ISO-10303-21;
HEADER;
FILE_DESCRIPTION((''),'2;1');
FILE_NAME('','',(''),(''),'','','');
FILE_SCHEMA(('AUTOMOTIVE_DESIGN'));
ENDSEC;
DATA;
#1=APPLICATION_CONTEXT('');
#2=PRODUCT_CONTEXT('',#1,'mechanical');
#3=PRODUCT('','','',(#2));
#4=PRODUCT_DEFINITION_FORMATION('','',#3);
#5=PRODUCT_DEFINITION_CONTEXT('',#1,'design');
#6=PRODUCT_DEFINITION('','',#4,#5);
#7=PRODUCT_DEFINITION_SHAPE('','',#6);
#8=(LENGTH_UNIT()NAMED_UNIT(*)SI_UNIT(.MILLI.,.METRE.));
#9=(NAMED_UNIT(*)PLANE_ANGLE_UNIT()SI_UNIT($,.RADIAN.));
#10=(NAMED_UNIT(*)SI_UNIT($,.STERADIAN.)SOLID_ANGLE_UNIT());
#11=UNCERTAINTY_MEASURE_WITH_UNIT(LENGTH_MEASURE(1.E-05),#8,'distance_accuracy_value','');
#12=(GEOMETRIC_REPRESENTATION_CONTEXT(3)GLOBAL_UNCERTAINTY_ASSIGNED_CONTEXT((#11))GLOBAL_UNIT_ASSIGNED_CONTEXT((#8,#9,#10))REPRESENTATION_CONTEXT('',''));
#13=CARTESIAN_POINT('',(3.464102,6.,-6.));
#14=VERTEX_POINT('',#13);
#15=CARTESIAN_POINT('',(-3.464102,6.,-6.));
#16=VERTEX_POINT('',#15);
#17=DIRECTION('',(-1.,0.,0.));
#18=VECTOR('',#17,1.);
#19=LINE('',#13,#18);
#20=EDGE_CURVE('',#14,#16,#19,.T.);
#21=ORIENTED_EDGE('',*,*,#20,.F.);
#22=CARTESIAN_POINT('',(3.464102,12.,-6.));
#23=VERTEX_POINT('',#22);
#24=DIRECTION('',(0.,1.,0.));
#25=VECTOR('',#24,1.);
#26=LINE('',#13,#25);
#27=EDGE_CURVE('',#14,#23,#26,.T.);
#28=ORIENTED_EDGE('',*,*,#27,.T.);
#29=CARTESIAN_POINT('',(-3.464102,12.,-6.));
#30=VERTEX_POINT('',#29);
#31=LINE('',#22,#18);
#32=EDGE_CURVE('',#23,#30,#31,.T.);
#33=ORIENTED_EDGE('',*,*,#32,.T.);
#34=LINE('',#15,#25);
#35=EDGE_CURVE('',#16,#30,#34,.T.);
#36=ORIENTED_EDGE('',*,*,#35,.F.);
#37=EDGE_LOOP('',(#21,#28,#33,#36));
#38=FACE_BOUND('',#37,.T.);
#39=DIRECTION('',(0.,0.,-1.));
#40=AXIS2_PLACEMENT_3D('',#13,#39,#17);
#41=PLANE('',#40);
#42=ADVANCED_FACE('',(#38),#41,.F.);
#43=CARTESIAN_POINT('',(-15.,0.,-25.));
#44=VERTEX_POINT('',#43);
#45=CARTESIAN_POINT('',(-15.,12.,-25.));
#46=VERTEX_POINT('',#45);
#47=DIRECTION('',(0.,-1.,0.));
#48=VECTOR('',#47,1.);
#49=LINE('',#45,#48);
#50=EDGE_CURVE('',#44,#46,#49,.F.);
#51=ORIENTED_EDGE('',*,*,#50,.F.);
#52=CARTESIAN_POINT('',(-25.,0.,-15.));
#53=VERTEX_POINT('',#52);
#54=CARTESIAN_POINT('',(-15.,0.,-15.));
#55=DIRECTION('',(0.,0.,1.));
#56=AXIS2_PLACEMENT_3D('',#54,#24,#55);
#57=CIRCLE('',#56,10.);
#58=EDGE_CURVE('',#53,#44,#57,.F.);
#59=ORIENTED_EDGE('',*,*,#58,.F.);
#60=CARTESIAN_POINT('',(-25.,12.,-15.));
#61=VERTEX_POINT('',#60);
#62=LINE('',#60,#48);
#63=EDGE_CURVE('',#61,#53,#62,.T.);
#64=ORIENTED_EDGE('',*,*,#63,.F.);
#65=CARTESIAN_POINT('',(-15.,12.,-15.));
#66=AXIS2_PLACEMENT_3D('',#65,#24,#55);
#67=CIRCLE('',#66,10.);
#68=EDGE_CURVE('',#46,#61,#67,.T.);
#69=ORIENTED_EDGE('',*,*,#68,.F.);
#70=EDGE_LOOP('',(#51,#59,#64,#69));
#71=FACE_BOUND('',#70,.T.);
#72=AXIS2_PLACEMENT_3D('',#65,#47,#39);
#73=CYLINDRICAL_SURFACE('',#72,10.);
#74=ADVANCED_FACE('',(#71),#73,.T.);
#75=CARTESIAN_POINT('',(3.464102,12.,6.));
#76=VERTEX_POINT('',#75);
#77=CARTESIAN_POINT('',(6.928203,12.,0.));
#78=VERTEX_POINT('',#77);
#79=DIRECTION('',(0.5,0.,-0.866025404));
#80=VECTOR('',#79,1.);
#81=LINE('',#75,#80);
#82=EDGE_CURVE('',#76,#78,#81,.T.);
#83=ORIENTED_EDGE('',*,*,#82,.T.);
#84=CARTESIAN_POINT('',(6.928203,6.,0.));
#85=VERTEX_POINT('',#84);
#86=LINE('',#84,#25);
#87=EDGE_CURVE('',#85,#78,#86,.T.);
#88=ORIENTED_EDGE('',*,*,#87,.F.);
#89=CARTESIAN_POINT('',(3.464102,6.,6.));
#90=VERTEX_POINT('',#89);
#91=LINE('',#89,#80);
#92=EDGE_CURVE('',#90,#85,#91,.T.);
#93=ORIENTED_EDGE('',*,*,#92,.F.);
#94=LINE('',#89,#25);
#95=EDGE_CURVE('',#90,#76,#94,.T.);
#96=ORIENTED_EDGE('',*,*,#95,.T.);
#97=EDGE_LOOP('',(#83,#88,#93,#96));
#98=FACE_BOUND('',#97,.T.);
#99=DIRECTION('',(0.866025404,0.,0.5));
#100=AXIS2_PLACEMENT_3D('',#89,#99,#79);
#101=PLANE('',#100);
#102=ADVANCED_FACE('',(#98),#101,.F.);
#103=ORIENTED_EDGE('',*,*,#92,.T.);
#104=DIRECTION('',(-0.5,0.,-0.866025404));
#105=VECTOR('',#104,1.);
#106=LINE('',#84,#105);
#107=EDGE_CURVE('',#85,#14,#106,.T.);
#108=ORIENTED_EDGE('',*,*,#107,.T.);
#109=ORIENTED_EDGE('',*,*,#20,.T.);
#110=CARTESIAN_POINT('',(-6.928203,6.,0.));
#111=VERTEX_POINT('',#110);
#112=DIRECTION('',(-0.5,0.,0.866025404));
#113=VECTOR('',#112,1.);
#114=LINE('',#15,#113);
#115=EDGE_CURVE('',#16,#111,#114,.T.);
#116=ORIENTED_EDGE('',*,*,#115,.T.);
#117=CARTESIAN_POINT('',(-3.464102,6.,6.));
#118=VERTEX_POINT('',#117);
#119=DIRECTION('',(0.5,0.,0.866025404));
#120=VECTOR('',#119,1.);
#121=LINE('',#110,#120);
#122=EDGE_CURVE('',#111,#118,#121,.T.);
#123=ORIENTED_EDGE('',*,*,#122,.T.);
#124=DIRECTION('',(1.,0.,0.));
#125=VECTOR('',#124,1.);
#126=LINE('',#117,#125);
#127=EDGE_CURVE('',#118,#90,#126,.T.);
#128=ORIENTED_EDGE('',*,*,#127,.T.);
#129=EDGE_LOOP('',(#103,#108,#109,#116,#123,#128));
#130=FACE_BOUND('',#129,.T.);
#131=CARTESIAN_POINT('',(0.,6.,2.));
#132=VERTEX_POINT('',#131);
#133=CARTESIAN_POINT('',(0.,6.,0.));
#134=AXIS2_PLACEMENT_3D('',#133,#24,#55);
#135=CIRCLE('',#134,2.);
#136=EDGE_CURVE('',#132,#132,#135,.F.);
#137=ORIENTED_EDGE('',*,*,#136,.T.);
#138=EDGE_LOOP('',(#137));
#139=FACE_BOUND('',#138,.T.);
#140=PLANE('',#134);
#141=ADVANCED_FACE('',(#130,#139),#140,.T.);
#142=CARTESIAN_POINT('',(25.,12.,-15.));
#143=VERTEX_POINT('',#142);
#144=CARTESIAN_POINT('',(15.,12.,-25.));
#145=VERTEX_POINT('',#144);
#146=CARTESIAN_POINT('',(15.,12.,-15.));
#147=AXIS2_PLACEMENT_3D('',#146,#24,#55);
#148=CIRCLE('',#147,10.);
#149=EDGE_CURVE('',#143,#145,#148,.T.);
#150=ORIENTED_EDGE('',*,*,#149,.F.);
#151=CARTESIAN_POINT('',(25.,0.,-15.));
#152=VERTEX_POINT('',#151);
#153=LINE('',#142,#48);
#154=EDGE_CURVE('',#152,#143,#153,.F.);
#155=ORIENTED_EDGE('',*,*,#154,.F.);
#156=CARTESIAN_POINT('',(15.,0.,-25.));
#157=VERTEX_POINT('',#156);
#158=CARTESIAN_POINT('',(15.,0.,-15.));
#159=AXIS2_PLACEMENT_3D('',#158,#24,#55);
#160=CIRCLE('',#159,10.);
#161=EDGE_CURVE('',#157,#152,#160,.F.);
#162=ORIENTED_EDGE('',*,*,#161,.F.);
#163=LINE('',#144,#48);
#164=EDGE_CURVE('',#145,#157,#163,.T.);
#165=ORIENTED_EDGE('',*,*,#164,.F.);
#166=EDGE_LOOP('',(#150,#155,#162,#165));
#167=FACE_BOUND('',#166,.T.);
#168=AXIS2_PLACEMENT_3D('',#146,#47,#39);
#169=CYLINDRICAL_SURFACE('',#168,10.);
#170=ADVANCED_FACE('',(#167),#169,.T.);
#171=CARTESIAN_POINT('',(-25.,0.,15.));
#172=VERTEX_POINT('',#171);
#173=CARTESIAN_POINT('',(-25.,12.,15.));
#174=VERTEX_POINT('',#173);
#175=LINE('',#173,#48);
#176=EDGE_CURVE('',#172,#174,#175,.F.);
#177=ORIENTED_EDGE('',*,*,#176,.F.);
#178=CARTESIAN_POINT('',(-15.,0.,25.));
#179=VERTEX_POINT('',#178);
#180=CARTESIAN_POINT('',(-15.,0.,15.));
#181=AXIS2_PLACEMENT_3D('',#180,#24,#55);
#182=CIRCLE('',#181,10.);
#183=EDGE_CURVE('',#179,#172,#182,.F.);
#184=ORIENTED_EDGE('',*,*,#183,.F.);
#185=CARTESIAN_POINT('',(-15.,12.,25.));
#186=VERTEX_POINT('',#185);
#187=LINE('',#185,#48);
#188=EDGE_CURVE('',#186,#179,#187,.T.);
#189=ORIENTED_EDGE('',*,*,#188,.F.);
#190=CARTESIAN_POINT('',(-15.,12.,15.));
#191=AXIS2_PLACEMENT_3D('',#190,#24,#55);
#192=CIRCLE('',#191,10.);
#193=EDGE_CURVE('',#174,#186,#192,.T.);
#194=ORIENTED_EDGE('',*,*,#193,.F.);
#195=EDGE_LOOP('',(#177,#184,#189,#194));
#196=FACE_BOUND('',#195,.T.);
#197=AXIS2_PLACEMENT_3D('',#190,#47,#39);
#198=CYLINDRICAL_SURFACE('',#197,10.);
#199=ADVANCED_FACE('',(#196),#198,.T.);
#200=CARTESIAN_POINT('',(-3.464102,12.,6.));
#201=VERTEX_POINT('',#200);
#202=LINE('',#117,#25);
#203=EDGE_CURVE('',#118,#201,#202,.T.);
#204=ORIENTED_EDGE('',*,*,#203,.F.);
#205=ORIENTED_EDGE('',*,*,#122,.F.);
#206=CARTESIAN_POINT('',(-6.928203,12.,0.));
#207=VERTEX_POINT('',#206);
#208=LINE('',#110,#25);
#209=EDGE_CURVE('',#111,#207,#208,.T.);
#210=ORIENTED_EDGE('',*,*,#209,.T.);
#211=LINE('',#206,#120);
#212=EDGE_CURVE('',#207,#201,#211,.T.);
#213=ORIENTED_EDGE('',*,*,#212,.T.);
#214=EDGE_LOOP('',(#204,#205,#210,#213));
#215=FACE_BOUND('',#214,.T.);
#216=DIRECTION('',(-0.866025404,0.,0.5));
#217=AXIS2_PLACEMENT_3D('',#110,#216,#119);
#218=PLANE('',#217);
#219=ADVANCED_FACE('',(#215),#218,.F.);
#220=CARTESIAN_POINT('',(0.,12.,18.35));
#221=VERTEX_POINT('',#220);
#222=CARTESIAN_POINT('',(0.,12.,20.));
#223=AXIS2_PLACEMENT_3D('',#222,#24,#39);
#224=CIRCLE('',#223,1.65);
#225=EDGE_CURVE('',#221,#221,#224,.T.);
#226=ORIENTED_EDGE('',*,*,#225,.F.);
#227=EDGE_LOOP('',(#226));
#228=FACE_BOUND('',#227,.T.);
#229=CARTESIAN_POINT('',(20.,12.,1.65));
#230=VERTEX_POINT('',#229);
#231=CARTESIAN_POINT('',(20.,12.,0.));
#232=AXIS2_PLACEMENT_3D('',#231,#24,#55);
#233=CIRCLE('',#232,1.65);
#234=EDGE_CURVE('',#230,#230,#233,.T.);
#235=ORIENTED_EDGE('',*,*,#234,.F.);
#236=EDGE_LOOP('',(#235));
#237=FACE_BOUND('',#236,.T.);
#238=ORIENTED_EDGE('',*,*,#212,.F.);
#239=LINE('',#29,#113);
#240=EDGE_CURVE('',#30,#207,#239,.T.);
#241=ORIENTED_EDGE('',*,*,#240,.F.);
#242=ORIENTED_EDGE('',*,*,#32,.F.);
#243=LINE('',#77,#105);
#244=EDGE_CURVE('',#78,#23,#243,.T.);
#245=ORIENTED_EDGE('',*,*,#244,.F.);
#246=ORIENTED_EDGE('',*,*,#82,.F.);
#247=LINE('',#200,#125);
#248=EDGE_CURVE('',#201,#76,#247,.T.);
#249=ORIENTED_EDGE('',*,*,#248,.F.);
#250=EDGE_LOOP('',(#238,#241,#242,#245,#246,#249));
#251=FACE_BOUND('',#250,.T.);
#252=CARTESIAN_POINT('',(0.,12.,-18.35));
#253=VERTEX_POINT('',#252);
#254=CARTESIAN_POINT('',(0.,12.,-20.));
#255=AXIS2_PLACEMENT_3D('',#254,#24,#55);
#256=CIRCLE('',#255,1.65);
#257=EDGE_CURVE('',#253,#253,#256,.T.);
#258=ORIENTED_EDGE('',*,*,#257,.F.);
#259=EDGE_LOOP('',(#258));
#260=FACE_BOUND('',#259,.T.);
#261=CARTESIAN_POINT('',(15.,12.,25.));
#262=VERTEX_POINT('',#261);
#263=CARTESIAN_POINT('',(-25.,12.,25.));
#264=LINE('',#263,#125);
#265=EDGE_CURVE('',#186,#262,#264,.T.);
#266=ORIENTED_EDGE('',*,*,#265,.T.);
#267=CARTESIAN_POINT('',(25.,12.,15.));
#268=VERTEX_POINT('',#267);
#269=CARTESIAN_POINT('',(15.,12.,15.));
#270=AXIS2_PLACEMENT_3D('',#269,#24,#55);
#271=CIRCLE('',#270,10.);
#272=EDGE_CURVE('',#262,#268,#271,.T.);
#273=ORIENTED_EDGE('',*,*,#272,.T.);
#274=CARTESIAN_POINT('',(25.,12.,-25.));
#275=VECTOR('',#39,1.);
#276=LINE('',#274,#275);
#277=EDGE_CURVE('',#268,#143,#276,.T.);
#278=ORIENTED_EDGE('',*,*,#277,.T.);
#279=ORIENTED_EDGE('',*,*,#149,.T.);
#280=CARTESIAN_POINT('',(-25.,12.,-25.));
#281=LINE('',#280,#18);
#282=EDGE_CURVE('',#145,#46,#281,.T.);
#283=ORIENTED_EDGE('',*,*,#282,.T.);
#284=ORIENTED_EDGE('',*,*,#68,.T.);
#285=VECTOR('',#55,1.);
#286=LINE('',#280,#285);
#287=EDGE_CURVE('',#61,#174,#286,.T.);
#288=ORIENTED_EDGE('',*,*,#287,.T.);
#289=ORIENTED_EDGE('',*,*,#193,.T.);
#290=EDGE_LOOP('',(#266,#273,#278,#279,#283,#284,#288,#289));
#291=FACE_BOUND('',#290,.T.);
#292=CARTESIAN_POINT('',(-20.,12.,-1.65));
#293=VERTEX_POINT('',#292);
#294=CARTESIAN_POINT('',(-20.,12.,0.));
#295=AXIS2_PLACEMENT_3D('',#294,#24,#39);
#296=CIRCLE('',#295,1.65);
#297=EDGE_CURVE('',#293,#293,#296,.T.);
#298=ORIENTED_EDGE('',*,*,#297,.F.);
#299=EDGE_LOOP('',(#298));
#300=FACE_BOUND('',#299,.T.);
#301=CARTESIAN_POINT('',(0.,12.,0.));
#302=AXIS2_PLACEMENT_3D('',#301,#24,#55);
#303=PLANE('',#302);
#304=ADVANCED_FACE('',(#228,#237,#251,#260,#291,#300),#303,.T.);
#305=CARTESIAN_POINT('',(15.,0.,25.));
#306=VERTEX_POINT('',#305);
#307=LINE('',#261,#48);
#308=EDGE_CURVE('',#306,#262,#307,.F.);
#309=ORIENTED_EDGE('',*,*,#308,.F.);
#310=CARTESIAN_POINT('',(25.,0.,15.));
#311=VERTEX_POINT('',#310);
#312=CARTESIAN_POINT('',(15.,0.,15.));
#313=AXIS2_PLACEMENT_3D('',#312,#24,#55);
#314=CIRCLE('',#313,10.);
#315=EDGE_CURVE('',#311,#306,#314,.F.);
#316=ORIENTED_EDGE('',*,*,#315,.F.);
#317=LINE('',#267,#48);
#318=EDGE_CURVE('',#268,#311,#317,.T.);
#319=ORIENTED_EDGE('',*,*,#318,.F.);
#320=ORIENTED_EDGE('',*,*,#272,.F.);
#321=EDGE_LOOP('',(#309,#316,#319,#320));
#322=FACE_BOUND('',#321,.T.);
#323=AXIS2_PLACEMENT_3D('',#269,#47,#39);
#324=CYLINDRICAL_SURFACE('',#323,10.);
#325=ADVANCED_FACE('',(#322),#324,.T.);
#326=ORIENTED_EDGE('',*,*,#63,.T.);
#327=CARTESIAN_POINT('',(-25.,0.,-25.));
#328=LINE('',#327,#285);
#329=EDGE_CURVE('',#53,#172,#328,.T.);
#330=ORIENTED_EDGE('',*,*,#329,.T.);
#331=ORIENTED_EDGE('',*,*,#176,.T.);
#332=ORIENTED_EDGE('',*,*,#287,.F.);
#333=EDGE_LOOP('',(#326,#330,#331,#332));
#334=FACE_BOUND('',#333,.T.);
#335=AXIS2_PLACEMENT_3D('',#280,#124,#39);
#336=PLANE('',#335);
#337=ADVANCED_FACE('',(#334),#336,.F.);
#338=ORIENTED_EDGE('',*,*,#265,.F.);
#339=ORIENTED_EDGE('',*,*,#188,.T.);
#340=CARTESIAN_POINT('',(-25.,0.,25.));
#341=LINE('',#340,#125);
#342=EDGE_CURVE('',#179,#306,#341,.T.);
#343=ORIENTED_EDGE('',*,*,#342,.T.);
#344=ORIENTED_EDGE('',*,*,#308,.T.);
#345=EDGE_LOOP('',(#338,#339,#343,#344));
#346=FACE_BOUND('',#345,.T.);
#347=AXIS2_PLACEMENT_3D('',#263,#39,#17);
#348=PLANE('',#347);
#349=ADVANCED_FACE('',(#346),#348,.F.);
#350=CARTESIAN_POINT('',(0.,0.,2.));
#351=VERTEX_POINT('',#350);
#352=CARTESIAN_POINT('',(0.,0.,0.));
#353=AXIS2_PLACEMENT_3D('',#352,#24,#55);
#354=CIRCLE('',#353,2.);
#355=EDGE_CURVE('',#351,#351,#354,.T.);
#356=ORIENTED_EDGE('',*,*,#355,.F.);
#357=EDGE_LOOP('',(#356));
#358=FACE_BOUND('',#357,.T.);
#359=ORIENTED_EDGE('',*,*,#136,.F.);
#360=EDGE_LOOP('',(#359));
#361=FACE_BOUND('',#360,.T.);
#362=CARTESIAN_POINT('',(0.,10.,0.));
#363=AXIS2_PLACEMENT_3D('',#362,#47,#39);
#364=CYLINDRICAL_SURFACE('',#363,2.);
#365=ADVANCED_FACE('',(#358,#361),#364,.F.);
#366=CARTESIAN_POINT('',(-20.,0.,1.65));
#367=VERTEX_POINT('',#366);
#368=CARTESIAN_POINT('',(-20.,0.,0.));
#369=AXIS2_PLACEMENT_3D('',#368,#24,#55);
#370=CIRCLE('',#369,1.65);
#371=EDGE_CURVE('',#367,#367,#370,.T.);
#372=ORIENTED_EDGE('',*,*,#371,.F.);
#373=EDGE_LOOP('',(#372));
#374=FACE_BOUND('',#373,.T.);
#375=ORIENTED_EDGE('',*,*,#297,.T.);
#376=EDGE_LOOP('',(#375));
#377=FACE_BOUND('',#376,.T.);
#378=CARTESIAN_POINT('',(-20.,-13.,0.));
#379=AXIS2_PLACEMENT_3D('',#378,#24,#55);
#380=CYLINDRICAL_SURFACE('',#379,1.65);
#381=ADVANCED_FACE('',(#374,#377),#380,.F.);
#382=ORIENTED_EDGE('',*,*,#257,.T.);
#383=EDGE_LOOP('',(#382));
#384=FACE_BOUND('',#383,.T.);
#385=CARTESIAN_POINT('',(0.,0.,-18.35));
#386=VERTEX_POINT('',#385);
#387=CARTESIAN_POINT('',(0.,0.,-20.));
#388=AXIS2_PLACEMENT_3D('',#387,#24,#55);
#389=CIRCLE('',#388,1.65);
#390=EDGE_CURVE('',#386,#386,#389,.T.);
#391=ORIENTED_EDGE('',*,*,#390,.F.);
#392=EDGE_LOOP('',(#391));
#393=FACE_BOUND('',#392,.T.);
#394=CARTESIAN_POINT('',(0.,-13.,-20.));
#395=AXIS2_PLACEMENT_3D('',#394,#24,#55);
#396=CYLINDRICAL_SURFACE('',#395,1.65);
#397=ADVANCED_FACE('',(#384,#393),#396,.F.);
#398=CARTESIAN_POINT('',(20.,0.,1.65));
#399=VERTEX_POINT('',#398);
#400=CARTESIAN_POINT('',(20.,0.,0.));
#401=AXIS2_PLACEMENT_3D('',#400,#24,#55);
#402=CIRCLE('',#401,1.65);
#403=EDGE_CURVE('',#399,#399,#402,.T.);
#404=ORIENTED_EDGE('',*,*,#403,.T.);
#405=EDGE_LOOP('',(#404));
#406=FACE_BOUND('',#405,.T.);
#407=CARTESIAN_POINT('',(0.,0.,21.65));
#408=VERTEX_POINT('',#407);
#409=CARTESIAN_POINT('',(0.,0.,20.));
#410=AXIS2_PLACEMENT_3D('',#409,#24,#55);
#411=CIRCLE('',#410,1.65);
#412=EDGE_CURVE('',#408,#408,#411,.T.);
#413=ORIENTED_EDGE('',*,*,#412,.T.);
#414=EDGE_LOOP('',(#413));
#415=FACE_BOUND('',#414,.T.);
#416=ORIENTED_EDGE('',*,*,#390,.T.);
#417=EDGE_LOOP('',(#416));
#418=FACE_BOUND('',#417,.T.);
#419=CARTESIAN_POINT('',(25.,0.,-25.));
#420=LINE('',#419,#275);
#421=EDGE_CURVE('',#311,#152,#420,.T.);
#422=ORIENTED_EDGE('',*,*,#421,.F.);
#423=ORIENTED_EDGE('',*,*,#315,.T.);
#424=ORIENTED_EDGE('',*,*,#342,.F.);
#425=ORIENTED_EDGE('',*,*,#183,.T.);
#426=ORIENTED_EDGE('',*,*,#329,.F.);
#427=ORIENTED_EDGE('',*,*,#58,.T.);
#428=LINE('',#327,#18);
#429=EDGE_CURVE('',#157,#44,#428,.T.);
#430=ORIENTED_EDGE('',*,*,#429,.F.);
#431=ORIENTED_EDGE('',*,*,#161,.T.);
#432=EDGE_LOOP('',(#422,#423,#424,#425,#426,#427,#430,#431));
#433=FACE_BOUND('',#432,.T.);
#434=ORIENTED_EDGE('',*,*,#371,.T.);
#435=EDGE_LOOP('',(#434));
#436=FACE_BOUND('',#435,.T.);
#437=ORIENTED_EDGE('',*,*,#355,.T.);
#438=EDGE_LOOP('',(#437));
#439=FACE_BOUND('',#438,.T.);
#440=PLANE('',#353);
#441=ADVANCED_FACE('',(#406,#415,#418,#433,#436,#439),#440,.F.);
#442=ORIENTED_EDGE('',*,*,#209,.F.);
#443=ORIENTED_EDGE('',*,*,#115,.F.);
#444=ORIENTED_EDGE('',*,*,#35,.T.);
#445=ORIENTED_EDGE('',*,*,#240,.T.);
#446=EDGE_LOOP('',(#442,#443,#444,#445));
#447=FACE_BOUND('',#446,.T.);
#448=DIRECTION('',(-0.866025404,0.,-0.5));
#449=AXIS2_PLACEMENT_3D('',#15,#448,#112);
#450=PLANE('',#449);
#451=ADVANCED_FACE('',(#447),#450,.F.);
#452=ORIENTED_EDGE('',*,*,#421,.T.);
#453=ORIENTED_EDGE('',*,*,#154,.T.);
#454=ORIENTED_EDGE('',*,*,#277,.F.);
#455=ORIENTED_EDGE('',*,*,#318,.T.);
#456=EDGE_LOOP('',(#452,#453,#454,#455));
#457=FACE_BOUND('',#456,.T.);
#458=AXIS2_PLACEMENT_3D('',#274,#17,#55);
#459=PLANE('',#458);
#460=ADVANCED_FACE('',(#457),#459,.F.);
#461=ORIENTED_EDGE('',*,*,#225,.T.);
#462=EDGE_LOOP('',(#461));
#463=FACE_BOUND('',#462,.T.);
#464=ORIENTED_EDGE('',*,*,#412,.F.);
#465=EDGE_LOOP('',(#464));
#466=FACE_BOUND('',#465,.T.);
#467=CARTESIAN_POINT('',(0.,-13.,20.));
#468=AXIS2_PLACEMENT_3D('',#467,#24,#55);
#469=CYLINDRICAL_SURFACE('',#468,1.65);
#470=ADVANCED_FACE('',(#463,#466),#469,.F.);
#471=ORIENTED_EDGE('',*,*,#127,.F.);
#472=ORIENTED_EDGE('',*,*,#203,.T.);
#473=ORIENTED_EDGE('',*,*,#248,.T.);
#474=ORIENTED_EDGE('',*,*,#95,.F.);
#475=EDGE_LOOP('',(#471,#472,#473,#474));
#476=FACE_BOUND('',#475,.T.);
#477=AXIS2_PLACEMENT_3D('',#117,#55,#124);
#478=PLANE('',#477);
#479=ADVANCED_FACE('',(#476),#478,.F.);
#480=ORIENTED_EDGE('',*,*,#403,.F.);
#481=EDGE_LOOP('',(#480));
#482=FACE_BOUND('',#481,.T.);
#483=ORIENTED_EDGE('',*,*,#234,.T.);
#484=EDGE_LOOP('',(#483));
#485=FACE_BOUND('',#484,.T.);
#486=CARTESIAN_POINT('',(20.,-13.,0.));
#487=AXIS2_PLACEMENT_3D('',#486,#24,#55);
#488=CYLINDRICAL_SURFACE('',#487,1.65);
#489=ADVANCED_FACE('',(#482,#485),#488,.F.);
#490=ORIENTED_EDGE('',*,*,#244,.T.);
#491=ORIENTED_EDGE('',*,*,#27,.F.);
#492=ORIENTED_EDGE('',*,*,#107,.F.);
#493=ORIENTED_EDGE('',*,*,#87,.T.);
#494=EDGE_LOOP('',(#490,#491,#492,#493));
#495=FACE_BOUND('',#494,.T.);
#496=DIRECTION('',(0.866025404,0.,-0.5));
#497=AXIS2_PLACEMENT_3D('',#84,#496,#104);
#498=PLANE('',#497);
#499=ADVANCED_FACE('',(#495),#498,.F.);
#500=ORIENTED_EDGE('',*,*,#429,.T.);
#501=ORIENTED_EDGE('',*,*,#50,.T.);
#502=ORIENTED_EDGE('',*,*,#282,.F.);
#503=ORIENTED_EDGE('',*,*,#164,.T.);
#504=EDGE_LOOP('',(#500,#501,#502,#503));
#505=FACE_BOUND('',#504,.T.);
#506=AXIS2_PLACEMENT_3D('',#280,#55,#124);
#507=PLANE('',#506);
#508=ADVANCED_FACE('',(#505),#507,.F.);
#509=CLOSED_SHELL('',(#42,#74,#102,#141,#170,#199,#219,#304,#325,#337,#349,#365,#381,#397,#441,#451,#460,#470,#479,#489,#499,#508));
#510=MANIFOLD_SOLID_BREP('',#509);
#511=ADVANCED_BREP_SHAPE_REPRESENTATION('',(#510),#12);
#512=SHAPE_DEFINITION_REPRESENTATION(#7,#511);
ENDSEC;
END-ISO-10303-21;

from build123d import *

# Parameters (mm, degrees)
SKETCH1_W           = 50
SKETCH1_H           = 50
BOSS_EXTRUDE1_DEPTH = 12
CUT_EXTRUDE1_DEPTH  = 6
SKETCH4_R           = 1.65
CUT_EXTRUDE2_DEPTH  = 25
FILLET1_R           = 10
SKETCH5_R           = 2
CUT_EXTRUDE4_DEPTH  = 10


with BuildPart() as part:
    # Sketch1 → Boss-Extrude1 (new body)
    with BuildSketch(Plane(origin=(0, 0, 0), x_dir=(1, 0, 0), z_dir=(0, 1, 0))):
        Rectangle(SKETCH1_W, SKETCH1_H)
    extrude(amount=BOSS_EXTRUDE1_DEPTH)

    # Sketch2 → Cut-Extrude1 (cut)
    with BuildSketch(Plane(origin=(0, 12, 0), x_dir=(1, 0, 0), z_dir=(0, 1, 0))):
        Polygon((6.92820323, 0), (3.464101615, 6), (-3.464101615, 6), (-6.92820323, 0), (-3.464101615, -6), (3.464101615, -6), align=None)
    extrude(amount=-CUT_EXTRUDE1_DEPTH, mode=Mode.SUBTRACT)

    # Sketch4 → Cut-Extrude2 (cut)
    with BuildSketch(Plane(origin=(0, 12, 0), x_dir=(1, 0, 0), z_dir=(0, 1, 0))):
        with Locations(Location((0, 20, 0), (0, 0, 270))):
            Circle(SKETCH4_R)
        with Locations(Location((20, 0, 0), (0, 0, 270))):
            Circle(SKETCH4_R)
        with Locations(Location((-20, 0, 0), (0, 0, 270))):
            Circle(SKETCH4_R)
        with Locations(Location((0, -20, 0), (0, 0, 270))):
            Circle(SKETCH4_R)
    extrude(amount=-CUT_EXTRUDE2_DEPTH, mode=Mode.SUBTRACT)

    # Fillet1
    fillet1_edges = [part.edges().sort_by_distance(p)[0] for p in [
        (25, 6, 25),
        (-25, 6, 25),
        (-25, 6, -25),
        (25, 6, -25),
    ]]
    fillet(fillet1_edges, radius=FILLET1_R)

    # Sketch5 → Cut-Extrude4 (cut)
    with BuildSketch(Plane(origin=(0, 0, 0), x_dir=(1, 0, 0), z_dir=(0, 1, 0))):
        with Locations(Location((0, 0, 0), (0, 0, 270))):
            Circle(SKETCH5_R)
    extrude(amount=CUT_EXTRUDE4_DEPTH, mode=Mode.SUBTRACT)


solid = part.part
